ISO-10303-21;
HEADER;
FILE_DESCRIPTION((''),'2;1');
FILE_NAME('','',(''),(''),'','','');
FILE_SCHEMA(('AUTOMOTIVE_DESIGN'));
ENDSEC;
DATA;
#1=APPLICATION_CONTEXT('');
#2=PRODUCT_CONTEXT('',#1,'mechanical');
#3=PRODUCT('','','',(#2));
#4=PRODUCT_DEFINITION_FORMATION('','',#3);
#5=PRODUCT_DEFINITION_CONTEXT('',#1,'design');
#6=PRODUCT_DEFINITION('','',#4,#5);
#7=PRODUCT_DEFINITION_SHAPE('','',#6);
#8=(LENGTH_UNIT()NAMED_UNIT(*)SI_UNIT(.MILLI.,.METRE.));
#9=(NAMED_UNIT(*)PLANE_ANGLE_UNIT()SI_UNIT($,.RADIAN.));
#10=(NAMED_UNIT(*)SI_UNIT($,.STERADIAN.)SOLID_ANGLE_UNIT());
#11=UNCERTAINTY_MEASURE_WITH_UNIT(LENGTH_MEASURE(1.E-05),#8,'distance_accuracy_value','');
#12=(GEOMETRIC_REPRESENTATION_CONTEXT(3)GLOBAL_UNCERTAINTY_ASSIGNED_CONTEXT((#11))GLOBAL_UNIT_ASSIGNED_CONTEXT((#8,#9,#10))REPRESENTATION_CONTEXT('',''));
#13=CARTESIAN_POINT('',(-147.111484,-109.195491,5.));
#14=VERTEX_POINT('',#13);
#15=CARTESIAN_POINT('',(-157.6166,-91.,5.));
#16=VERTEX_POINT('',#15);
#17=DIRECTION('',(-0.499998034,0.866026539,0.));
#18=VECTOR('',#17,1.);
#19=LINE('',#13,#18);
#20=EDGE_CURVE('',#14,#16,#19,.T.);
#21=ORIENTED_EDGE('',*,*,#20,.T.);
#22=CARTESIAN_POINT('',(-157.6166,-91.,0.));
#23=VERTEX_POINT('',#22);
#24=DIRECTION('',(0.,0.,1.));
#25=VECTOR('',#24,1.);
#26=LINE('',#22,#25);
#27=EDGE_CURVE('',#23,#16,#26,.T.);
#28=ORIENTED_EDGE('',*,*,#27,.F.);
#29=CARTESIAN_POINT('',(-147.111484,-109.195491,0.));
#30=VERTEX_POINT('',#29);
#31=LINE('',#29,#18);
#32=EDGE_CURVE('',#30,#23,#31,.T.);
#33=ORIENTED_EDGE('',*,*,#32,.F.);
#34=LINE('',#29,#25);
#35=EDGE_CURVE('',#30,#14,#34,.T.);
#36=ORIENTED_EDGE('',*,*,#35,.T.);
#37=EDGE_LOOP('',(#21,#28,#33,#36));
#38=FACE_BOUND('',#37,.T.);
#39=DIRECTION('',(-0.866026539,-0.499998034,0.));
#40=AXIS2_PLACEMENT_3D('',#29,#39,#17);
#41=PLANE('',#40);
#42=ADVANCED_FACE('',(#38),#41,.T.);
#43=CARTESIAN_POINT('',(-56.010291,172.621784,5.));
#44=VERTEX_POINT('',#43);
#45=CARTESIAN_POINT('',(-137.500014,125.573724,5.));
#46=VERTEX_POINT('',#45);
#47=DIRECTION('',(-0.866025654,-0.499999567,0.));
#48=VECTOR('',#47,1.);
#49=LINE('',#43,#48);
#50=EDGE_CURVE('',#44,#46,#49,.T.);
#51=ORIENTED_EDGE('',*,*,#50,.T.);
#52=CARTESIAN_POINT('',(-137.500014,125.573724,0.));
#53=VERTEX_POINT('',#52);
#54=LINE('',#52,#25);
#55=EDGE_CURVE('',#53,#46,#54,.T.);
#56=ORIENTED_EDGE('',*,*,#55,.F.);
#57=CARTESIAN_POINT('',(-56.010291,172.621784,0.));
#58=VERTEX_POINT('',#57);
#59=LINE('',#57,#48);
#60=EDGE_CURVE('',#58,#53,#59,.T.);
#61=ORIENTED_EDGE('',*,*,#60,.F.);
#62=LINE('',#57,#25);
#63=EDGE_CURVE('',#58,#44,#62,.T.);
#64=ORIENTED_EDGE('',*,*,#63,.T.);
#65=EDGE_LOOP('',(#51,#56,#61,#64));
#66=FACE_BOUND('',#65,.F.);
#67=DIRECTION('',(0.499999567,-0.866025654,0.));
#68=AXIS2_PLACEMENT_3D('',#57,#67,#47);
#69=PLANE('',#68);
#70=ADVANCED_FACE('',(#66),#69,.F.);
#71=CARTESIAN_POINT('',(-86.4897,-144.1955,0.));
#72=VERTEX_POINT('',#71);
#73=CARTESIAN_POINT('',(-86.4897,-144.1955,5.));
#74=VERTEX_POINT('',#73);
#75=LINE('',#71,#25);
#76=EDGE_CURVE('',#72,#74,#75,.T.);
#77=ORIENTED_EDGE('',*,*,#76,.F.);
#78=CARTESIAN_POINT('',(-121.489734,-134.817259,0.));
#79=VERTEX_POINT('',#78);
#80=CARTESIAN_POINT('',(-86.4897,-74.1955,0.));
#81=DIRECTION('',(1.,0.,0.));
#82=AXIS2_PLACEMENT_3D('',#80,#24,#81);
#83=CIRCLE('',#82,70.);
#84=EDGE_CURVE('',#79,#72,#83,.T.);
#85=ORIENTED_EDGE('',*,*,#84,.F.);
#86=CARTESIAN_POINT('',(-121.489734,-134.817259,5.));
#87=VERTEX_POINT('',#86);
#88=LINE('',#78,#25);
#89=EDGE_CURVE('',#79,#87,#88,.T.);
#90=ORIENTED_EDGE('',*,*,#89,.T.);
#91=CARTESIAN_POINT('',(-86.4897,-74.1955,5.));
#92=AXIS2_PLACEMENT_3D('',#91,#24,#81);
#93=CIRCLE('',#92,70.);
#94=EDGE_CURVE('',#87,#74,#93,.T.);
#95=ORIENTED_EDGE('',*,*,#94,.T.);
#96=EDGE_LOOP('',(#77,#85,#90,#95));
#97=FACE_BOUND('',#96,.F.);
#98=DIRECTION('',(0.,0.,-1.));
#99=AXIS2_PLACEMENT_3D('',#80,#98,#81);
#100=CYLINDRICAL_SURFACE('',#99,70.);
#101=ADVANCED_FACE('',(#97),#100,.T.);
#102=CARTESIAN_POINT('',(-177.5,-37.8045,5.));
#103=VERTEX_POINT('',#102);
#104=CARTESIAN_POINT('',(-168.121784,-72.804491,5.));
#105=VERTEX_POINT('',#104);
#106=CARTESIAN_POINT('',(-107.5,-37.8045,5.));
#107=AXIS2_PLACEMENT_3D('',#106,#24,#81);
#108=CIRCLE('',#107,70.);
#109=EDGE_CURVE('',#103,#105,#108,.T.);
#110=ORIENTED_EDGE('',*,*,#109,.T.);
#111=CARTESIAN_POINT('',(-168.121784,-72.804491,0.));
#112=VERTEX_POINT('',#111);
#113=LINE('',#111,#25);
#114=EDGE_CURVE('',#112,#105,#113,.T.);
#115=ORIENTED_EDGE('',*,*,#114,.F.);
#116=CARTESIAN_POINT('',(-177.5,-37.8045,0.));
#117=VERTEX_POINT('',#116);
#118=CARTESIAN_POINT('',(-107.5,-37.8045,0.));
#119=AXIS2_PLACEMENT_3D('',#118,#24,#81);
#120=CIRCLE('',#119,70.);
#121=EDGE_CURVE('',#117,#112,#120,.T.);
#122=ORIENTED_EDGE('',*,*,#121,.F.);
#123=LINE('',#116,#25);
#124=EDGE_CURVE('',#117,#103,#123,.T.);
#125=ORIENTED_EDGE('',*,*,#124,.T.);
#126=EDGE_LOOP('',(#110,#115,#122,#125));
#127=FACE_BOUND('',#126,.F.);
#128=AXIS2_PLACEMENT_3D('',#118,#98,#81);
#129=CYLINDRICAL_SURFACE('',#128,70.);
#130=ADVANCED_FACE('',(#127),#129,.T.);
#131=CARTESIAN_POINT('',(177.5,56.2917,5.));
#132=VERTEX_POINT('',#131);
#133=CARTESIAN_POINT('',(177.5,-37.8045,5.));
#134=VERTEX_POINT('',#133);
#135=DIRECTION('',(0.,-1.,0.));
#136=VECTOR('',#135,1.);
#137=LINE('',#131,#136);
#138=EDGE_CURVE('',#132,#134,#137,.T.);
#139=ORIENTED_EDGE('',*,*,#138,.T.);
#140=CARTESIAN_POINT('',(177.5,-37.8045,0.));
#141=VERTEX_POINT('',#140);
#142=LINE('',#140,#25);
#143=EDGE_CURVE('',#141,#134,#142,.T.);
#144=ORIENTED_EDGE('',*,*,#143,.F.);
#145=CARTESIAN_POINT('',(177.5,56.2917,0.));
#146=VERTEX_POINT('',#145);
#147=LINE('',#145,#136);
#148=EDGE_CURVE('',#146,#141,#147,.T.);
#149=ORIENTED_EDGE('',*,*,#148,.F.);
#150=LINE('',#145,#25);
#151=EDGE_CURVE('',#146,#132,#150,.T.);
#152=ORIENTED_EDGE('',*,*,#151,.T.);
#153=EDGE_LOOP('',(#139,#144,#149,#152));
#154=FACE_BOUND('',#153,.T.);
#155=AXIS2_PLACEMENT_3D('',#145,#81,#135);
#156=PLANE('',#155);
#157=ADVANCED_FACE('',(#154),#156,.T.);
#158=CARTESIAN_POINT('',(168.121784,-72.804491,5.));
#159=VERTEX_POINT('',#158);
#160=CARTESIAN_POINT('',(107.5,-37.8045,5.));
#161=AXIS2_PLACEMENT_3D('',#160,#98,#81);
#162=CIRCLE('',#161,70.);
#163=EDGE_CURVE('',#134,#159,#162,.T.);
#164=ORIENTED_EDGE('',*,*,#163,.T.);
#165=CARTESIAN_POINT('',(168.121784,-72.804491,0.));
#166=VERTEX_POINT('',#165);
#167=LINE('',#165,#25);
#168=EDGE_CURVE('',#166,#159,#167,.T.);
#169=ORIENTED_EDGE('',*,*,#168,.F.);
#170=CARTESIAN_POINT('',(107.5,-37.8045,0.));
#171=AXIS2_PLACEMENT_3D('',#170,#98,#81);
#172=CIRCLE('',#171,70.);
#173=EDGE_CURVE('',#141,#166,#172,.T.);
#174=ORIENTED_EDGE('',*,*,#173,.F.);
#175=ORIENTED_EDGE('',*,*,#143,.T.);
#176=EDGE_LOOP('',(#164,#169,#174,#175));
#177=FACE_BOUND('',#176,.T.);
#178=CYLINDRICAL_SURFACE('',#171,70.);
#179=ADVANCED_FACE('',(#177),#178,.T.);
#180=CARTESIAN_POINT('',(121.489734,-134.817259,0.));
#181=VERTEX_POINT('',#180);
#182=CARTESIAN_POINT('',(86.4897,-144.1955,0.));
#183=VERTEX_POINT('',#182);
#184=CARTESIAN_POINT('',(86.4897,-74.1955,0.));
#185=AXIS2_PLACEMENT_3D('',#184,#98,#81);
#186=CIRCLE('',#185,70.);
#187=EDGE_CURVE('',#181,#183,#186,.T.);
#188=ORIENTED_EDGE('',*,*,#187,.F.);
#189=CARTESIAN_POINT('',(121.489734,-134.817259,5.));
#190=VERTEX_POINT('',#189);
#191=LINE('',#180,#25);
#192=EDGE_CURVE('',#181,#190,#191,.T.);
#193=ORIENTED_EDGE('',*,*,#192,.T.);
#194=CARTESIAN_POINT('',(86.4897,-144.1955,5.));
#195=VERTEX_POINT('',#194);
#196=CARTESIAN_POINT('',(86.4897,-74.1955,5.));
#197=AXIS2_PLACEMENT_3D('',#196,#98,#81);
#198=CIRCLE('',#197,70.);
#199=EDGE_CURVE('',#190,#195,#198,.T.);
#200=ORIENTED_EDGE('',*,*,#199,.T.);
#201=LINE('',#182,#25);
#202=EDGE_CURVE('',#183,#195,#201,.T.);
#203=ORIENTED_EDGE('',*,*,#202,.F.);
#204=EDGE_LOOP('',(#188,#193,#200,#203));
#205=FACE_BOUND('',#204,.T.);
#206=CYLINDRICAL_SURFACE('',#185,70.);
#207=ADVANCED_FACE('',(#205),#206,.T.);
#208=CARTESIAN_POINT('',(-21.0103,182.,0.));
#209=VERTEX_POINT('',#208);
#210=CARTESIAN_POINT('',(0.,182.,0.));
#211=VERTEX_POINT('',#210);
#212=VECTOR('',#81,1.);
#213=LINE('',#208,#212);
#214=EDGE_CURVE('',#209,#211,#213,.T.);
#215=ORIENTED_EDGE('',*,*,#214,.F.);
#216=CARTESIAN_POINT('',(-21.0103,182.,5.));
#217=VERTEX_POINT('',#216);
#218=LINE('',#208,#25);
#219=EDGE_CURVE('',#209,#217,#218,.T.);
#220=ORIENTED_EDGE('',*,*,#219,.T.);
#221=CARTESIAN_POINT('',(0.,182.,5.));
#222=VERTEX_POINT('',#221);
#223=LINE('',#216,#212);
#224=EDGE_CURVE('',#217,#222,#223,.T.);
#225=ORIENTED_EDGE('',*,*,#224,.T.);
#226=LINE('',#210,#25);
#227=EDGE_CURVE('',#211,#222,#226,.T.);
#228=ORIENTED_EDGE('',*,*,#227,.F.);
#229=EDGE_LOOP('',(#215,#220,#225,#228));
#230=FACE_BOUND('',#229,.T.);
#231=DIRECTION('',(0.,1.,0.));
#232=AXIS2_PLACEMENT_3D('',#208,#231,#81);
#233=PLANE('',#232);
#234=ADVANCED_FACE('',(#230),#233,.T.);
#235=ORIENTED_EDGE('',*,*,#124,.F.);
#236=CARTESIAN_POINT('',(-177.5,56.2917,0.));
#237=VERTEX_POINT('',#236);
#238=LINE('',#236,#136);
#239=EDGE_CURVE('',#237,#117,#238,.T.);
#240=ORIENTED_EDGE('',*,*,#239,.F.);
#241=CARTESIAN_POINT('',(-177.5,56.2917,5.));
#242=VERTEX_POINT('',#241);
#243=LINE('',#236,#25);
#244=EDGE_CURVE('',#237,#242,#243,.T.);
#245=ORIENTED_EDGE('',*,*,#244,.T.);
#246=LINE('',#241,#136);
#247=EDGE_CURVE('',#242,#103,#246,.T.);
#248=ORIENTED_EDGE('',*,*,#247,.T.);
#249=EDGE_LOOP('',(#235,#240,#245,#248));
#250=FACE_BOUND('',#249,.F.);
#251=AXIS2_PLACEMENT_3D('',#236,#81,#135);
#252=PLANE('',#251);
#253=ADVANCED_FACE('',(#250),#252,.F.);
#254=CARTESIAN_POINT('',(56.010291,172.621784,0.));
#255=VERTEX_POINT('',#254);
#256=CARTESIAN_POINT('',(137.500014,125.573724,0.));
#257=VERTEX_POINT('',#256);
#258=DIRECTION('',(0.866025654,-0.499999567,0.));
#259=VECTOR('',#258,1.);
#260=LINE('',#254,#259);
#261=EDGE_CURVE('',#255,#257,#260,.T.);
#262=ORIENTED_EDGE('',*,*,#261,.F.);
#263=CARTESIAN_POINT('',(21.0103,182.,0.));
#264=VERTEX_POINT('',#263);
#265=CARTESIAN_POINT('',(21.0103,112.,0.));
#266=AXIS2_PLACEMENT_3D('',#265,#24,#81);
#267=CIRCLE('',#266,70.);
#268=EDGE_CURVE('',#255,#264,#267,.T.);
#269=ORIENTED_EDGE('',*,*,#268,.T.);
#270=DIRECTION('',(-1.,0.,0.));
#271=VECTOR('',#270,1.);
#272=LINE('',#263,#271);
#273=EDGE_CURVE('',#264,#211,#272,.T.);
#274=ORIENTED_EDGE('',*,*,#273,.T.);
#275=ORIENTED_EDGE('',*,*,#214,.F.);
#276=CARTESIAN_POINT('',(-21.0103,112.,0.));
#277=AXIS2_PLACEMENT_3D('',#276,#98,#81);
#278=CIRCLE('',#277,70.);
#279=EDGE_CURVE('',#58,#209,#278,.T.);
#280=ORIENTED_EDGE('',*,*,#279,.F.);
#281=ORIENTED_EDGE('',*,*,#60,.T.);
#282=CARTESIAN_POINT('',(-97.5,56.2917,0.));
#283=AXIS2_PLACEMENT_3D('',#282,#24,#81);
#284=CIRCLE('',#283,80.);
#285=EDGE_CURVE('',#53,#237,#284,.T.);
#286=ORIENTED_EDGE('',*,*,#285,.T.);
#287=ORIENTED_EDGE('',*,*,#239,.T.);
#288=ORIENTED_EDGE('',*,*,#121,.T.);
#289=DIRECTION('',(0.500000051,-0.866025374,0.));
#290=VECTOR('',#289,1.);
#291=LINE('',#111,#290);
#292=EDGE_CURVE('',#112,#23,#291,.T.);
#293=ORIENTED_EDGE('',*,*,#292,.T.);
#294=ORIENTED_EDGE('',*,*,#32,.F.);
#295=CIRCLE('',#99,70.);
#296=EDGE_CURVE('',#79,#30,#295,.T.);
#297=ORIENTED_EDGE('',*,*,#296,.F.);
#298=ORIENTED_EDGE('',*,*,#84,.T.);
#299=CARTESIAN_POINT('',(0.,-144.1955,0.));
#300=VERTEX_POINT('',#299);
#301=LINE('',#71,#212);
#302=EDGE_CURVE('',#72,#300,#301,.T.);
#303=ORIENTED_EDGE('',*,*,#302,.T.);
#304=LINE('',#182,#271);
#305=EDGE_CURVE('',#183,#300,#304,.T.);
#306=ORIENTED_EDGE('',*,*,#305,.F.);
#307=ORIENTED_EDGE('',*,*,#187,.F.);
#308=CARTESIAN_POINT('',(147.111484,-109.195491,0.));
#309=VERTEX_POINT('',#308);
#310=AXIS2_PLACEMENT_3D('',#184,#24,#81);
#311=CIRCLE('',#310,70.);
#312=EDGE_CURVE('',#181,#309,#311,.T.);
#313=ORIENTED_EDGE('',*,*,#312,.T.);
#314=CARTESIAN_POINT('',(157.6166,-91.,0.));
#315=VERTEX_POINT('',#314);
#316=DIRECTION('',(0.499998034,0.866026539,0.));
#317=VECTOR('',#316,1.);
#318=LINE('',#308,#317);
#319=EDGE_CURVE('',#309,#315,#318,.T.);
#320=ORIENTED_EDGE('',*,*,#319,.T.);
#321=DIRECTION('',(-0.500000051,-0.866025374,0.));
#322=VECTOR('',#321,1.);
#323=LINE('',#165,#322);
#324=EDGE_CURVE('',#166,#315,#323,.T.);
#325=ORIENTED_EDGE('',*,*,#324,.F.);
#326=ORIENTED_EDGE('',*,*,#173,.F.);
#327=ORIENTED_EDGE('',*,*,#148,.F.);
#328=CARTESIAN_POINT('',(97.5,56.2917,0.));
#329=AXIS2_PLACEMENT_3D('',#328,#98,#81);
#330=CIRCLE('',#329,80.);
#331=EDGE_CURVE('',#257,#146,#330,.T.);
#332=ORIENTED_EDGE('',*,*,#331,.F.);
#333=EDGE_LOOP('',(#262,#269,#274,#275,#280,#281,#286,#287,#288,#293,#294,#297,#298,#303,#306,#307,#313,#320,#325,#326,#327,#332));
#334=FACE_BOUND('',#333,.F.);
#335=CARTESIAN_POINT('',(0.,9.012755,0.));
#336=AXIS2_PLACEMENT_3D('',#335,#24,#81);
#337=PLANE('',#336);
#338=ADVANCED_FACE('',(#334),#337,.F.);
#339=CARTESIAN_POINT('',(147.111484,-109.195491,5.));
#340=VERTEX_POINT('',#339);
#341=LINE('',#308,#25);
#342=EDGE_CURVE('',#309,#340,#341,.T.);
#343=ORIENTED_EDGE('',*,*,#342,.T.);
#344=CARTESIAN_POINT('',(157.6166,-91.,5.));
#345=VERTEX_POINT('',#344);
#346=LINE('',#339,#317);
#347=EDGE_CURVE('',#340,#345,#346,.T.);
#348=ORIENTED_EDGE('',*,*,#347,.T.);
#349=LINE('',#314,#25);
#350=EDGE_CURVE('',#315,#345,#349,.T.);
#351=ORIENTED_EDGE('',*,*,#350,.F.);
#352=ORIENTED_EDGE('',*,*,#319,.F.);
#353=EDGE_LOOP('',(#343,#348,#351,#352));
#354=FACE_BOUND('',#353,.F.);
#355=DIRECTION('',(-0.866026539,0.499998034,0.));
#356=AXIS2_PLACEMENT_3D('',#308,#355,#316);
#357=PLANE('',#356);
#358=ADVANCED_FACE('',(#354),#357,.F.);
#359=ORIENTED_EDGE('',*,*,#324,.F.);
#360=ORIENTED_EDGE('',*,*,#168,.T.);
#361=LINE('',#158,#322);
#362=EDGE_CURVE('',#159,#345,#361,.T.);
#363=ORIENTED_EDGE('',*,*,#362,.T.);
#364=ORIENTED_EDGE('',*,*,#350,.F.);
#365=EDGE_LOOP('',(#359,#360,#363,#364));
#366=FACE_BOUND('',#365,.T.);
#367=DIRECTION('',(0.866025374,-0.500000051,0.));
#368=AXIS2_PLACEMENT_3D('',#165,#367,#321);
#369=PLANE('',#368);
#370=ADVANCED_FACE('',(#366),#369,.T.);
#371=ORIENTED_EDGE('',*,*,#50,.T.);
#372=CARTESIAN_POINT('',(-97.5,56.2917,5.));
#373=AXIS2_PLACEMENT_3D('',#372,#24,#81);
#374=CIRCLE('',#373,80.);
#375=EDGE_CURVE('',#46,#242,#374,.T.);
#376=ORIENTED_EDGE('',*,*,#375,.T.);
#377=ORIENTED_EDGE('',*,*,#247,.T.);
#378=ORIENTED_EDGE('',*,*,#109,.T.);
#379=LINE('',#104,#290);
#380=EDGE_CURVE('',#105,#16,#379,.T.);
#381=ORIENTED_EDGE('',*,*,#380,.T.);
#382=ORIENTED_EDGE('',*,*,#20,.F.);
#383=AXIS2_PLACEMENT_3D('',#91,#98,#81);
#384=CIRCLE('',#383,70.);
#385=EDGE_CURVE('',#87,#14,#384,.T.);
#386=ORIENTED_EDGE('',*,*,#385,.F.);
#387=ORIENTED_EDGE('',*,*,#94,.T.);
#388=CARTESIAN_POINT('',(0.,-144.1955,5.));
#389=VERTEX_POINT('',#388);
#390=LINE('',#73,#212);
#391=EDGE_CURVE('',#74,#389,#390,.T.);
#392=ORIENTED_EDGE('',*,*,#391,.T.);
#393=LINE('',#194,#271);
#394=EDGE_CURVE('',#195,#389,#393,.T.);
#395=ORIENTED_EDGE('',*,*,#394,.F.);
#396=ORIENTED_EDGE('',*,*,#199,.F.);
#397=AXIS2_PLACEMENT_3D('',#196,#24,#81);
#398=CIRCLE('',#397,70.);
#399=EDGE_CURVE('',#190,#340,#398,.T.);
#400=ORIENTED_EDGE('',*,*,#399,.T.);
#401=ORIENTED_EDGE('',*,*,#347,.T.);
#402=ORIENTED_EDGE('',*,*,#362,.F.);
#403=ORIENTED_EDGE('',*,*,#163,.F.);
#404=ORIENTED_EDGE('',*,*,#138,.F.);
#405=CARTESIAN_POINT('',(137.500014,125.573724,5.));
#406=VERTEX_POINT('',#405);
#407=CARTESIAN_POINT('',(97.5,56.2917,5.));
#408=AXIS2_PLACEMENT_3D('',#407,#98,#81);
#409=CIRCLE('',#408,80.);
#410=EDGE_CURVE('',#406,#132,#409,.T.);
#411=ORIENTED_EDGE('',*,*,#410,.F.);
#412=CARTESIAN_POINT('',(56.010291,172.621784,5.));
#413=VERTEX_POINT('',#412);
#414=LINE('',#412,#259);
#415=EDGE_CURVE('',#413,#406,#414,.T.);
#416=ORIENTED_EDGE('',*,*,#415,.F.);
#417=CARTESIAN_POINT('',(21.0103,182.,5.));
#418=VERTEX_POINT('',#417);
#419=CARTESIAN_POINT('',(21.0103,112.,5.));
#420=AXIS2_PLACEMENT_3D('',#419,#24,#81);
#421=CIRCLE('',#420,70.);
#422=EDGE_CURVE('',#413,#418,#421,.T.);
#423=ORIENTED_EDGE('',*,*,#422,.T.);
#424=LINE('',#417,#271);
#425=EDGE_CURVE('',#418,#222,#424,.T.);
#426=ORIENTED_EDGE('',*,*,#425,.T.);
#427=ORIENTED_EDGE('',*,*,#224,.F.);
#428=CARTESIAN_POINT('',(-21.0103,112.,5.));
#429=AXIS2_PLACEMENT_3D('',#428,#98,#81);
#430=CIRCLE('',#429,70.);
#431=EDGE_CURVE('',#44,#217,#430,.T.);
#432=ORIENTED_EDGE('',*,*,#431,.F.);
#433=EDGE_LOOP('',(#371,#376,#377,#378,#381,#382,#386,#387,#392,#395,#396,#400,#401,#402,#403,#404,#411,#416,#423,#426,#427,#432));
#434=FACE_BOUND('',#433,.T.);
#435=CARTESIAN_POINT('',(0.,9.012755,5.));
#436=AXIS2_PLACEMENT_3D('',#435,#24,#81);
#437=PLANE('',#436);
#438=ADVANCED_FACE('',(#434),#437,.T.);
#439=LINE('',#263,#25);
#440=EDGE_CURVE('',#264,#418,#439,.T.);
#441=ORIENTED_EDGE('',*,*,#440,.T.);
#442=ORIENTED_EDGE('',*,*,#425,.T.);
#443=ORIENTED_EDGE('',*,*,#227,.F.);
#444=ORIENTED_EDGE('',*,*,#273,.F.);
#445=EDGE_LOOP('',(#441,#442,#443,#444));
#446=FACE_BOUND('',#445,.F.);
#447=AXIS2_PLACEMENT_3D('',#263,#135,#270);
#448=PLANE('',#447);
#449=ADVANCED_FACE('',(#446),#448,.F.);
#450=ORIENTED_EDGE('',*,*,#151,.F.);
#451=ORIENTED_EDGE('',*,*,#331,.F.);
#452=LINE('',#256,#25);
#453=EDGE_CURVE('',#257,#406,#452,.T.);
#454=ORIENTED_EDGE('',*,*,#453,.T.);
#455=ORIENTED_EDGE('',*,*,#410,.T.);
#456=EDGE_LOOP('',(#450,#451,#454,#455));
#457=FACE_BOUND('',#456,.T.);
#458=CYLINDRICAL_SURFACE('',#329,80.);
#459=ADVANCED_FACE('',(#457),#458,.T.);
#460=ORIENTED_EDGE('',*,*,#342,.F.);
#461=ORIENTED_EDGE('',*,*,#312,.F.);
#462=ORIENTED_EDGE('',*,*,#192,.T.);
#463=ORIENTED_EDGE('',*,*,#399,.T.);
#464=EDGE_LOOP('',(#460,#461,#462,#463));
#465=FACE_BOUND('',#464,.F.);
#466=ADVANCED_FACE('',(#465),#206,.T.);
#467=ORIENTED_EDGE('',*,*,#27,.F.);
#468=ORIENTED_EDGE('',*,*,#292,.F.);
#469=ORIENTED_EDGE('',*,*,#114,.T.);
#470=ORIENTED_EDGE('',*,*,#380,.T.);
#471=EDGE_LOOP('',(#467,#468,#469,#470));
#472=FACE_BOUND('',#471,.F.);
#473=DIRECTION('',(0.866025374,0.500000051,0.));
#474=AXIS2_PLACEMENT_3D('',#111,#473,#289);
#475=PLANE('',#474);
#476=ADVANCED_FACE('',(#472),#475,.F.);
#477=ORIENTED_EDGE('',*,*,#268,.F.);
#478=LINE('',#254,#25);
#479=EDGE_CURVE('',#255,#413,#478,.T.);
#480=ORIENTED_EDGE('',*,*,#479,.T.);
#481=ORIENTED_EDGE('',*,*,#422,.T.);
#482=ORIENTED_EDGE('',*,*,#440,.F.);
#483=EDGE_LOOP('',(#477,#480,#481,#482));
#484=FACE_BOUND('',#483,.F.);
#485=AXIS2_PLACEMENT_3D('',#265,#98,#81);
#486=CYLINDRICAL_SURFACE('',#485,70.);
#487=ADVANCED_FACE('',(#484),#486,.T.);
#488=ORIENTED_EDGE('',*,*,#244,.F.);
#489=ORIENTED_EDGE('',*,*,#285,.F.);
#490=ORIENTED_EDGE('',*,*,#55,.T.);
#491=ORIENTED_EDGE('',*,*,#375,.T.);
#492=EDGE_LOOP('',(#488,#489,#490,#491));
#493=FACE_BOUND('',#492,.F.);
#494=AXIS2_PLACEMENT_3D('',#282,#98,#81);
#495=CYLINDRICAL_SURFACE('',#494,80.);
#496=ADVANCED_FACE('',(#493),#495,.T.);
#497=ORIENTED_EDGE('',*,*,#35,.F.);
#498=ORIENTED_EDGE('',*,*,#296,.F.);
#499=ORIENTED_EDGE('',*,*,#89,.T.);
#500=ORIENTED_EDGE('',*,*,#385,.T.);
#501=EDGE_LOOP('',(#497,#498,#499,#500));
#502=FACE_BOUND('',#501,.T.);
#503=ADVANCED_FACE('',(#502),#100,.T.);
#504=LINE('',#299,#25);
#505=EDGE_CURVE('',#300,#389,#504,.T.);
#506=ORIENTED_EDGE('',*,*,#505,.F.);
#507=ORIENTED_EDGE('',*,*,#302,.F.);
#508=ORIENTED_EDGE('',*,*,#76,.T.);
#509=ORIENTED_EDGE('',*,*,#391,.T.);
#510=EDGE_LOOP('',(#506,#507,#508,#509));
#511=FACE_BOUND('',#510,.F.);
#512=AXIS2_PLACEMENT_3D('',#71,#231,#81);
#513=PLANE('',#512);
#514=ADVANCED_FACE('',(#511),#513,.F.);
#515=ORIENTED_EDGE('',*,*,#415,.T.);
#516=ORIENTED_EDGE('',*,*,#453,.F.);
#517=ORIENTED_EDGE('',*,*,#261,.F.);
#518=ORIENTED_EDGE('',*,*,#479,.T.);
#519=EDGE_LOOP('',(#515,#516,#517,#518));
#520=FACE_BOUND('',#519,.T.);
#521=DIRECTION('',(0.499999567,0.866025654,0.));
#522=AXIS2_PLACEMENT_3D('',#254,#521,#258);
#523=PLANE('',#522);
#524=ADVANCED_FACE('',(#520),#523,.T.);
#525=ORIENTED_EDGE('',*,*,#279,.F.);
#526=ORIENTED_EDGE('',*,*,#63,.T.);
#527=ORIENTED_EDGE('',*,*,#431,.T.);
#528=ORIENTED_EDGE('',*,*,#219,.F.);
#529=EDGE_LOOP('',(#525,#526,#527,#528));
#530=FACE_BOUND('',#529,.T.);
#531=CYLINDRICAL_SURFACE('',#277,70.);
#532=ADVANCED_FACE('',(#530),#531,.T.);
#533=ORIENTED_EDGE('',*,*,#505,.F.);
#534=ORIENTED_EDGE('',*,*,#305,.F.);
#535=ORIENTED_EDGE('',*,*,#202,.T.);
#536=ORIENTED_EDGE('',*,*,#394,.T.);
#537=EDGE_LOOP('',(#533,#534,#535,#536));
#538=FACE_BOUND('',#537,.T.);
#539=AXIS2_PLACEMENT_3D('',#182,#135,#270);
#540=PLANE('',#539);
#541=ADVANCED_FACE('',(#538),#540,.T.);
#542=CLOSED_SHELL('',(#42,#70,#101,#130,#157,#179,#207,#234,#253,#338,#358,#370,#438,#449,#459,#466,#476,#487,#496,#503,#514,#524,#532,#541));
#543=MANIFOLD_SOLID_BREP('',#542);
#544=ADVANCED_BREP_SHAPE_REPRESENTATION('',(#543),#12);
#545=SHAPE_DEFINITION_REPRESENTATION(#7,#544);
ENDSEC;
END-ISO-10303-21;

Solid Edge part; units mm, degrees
sketch "Sketch1" plane through (0, 0, 0) normal (0, 0, 1) x (1, 0, 0)
  arc A0 (121.4897, -134.8172) -> (147.1115, -109.1955) centre (86.4897, -74.1955) ccw
  line L0 (147.1115, -109.1955) -> (157.6166, -91)
  line L1 (168.1218, -72.8045) -> (157.6166, -91)
  arc A1 (177.5, -37.8045) -> (168.1218, -72.8045) centre (107.5, -37.8045) cw
  line L2 (177.5, 56.2917) -> (177.5, -37.8045)
  arc A2 (137.5, 125.5737) -> (177.5, 56.2917) centre (97.5, 56.2917) cw
  line L3 (56.0103, 172.6218) -> (137.5, 125.5737)
  arc A3 (56.0103, 172.6218) -> (21.0103, 182) centre (21.0103, 112) ccw
  line L4 (21.0103, 182) -> (0, 182)
  line L5 (-21.0103, 182) -> (0, 182)
  arc A4 (-56.0103, 172.6218) -> (-21.0103, 182) centre (-21.0103, 112) cw
  line L6 (-56.0103, 172.6218) -> (-137.5, 125.5737)
  arc A5 (-137.5, 125.5737) -> (-177.5, 56.2917) centre (-97.5, 56.2917) ccw
  line L7 (-177.5, 56.2917) -> (-177.5, -37.8045)
  arc A6 (-177.5, -37.8045) -> (-168.1218, -72.8045) centre (-107.5, -37.8045) ccw
  line L8 (-168.1218, -72.8045) -> (-157.6166, -91)
  line L9 (-147.1115, -109.1955) -> (-157.6166, -91)
  arc A7 (-121.4897, -134.8172) -> (-147.1115, -109.1955) centre (-86.4897, -74.1955) cw
  arc A8 (-121.4897, -134.8172) -> (-86.4897, -144.1955) centre (-86.4897, -74.1955) ccw
  line L10 (-86.4897, -144.1955) -> (0, -144.1955)
  line L11 (86.4897, -144.1955) -> (0, -144.1955)
  arc A9 (121.4897, -134.8172) -> (86.4897, -144.1955) centre (86.4897, -74.1955) cw
extrude "Protrusion1" add sketch "Sketch1" along normal blind 5
